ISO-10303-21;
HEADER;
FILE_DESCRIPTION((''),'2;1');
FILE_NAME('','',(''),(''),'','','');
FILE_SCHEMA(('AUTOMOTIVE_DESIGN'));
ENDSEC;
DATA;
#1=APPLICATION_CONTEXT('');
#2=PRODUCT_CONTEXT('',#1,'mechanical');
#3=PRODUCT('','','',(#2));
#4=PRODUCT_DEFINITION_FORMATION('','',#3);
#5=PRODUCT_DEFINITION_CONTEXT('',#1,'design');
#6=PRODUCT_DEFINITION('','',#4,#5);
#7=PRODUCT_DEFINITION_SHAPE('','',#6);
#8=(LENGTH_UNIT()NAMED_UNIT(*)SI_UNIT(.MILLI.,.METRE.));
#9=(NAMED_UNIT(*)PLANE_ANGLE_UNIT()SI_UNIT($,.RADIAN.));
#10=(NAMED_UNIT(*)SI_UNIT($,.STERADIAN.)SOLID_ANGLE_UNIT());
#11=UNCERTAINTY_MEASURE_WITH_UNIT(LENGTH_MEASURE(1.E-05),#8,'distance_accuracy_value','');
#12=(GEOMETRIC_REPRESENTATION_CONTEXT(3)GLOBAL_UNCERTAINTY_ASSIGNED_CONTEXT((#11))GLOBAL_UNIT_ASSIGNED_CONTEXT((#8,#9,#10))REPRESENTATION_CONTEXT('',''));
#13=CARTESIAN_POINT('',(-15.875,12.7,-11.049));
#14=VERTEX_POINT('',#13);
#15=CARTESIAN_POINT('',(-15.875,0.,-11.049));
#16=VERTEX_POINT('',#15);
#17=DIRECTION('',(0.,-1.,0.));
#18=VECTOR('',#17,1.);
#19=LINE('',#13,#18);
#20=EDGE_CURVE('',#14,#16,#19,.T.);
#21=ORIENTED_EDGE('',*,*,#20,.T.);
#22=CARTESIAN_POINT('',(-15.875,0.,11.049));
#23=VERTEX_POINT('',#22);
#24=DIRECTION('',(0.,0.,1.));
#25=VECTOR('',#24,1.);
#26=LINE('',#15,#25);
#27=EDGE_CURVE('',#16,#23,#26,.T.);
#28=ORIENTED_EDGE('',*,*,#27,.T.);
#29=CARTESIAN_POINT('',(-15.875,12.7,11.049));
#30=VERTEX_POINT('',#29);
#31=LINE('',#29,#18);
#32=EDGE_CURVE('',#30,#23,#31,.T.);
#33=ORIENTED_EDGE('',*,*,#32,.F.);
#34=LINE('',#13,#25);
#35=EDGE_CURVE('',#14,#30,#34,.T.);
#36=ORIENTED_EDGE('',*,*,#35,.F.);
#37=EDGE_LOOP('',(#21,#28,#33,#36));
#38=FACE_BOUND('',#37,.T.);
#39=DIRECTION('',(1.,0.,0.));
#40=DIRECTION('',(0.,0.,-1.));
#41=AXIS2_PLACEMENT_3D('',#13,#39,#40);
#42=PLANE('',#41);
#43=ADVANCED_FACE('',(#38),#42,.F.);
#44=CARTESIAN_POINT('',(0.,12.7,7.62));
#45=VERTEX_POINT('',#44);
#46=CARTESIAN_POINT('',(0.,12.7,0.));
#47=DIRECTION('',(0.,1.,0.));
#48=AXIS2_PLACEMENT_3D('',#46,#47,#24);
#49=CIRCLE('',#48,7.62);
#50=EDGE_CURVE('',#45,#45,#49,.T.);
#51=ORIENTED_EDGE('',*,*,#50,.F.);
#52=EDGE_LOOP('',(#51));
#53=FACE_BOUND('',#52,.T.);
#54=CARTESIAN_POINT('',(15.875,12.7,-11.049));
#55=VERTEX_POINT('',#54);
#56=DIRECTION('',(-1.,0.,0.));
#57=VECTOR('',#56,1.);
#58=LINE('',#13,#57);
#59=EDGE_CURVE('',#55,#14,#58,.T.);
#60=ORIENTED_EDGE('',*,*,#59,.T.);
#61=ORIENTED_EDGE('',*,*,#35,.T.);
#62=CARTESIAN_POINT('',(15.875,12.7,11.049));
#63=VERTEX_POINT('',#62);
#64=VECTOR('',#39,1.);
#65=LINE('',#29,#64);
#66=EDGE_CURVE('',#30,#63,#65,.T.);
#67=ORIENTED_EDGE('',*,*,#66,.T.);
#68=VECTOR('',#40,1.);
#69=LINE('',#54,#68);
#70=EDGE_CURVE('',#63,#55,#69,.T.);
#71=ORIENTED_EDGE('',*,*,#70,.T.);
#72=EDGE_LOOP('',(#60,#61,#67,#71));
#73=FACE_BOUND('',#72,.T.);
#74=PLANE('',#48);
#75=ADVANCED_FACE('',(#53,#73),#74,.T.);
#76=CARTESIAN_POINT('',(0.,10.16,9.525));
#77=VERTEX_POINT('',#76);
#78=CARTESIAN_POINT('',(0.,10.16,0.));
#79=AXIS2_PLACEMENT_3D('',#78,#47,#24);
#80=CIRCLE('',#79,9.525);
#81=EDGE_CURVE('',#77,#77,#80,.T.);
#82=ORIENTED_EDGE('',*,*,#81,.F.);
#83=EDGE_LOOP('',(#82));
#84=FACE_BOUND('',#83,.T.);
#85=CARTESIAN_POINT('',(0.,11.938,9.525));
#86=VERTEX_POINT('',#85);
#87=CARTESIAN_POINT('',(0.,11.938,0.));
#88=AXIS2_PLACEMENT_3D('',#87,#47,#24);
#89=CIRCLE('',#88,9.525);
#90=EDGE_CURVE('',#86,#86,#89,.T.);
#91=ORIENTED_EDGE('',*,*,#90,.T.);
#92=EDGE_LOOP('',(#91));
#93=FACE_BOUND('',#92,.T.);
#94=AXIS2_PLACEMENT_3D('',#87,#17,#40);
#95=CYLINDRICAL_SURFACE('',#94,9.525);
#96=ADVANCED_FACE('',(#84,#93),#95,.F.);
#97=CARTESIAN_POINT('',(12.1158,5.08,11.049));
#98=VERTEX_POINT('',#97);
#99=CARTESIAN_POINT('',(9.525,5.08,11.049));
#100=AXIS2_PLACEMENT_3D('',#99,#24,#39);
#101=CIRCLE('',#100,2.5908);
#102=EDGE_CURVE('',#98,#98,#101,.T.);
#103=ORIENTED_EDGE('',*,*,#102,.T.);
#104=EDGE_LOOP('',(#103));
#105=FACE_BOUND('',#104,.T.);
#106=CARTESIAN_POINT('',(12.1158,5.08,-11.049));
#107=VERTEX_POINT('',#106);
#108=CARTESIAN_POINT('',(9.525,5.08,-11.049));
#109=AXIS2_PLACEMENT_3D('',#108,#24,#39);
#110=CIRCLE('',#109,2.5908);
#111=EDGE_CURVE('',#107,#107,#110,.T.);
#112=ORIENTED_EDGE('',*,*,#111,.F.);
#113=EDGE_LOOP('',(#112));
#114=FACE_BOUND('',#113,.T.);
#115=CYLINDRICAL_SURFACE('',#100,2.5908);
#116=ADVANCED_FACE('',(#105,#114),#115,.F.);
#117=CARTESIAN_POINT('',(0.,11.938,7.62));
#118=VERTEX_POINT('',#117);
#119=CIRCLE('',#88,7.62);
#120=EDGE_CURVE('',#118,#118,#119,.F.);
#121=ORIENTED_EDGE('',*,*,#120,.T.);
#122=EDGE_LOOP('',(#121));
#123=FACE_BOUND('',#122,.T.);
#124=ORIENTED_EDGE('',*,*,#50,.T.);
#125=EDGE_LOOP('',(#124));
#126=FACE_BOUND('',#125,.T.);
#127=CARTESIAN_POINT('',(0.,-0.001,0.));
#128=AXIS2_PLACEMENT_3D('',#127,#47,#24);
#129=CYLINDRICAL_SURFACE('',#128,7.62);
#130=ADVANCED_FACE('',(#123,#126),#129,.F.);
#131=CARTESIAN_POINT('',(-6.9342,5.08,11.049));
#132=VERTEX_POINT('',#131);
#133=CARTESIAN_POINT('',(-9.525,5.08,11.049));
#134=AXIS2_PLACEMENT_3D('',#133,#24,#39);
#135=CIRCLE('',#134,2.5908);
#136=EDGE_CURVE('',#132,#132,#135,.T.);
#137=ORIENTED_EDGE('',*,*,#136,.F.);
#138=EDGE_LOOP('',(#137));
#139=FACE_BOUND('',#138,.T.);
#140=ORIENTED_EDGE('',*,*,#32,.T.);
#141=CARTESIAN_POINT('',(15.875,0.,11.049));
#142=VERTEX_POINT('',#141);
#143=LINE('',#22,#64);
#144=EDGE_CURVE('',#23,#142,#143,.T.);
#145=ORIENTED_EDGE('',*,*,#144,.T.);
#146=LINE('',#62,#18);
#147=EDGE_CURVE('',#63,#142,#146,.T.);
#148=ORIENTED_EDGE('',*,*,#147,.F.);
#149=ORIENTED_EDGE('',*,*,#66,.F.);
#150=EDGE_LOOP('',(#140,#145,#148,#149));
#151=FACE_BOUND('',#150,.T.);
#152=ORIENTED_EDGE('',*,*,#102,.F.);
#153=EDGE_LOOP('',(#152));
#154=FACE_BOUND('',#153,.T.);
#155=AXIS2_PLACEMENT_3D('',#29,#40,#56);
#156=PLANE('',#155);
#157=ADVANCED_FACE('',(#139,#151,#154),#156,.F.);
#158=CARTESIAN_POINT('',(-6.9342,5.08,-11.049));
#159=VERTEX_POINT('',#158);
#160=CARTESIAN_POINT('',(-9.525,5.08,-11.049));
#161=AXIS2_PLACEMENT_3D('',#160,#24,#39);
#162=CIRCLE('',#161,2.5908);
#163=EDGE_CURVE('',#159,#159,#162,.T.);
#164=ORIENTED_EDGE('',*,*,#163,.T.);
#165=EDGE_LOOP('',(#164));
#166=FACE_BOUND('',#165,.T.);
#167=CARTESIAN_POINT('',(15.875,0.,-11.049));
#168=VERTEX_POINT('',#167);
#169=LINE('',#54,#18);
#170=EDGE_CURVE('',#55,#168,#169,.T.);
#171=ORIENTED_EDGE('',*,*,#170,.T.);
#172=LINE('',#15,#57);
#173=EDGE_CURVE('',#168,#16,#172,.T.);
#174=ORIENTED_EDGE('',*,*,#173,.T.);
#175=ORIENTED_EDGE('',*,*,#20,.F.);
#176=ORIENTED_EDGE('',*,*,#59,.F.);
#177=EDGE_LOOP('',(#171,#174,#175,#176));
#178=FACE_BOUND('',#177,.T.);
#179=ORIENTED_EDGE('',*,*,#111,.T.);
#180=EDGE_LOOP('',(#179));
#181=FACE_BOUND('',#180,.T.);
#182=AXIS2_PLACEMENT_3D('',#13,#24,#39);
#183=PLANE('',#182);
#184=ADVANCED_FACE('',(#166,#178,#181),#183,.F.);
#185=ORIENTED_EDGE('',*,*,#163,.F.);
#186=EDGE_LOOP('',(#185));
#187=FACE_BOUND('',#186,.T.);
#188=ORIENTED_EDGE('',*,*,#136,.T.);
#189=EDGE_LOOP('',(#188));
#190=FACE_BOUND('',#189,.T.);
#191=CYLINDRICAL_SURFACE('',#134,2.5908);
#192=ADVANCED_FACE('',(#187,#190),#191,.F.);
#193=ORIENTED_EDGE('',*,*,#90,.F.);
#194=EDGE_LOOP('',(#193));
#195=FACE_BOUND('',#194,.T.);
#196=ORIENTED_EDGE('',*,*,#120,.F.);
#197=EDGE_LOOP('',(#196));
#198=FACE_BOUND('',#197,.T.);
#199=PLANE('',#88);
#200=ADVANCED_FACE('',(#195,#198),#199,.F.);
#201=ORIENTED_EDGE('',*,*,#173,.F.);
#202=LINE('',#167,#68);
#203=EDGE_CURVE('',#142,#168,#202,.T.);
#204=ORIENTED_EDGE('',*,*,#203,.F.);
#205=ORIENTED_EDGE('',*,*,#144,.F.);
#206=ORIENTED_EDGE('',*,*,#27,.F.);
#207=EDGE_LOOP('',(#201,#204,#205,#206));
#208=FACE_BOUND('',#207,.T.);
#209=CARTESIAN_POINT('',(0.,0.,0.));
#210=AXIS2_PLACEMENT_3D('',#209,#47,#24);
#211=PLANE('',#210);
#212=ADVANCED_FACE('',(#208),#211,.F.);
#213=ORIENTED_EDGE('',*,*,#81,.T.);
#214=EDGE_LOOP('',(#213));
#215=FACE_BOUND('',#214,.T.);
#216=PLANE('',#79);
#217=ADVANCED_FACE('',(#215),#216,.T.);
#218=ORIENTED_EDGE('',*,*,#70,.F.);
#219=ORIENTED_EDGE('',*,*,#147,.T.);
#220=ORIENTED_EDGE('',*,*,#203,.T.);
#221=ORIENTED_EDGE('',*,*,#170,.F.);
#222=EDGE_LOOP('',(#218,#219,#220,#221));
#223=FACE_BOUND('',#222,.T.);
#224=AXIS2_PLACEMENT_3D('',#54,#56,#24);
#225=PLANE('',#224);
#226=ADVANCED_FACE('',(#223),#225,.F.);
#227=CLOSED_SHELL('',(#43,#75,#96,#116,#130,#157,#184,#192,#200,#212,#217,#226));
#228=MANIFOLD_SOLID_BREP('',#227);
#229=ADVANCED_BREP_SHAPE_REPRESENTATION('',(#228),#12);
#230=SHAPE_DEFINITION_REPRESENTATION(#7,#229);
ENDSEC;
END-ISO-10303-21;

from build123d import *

# Parameters (mm, degrees)
SKETCH1_W                  = 31.75
SKETCH1_H                  = 22.098
BOSS_EXTRUDE1_DEPTH        = 12.7
SKETCH2_R                  = 9.525
CUT_EXTRUDE1_DEPTH         = 1.778
F_6_0_204_DIAMETER_HOLE1_D = 5.1816
CUT_EXTRUDE2_REACH         = 14.7
SKETCH5_R                  = 7.62


with BuildPart() as part:
    # Sketch1 → Boss-Extrude1 (new body)
    with BuildSketch(Plane(origin=(0, 0, 0), x_dir=(1, 0, 0), z_dir=(0, 1, 0))):
        Rectangle(SKETCH1_W, SKETCH1_H)
    extrude(amount=BOSS_EXTRUDE1_DEPTH)

    # Sketch2 → Cut-Extrude1 (cut)
    with BuildSketch(Plane(origin=(0, 10.16, 0), x_dir=(1, 0, 0), z_dir=(0, 1, 0))):
        Circle(SKETCH2_R)
    extrude(amount=CUT_EXTRUDE1_DEPTH, mode=Mode.SUBTRACT)

    # #6 (0.204) Diameter Hole1 (through all)
    with Locations(Plane.XY.offset(11.049)):
        with Locations((-9.525, 5.08), (9.525, 5.08)):
            Hole(F_6_0_204_DIAMETER_HOLE1_D / 2)

    # Sketch5 → Cut-Extrude2 (cut, up to next)
    with BuildSketch(Plane(origin=(0, 12.7, 0), x_dir=(1, 0, 0), z_dir=(0, 1, 0)), mode=Mode.PRIVATE) as cut_extrude2_sk1:
        Circle(SKETCH5_R)
    cut_extrude2_tool1 = extrude(cut_extrude2_sk1.sketch, amount=-CUT_EXTRUDE2_REACH, mode=Mode.PRIVATE) & part.part
    add(cut_extrude2_tool1.solids().sort_by_distance((0, 12.7, 0))[0], mode=Mode.SUBTRACT)


solid = part.part
